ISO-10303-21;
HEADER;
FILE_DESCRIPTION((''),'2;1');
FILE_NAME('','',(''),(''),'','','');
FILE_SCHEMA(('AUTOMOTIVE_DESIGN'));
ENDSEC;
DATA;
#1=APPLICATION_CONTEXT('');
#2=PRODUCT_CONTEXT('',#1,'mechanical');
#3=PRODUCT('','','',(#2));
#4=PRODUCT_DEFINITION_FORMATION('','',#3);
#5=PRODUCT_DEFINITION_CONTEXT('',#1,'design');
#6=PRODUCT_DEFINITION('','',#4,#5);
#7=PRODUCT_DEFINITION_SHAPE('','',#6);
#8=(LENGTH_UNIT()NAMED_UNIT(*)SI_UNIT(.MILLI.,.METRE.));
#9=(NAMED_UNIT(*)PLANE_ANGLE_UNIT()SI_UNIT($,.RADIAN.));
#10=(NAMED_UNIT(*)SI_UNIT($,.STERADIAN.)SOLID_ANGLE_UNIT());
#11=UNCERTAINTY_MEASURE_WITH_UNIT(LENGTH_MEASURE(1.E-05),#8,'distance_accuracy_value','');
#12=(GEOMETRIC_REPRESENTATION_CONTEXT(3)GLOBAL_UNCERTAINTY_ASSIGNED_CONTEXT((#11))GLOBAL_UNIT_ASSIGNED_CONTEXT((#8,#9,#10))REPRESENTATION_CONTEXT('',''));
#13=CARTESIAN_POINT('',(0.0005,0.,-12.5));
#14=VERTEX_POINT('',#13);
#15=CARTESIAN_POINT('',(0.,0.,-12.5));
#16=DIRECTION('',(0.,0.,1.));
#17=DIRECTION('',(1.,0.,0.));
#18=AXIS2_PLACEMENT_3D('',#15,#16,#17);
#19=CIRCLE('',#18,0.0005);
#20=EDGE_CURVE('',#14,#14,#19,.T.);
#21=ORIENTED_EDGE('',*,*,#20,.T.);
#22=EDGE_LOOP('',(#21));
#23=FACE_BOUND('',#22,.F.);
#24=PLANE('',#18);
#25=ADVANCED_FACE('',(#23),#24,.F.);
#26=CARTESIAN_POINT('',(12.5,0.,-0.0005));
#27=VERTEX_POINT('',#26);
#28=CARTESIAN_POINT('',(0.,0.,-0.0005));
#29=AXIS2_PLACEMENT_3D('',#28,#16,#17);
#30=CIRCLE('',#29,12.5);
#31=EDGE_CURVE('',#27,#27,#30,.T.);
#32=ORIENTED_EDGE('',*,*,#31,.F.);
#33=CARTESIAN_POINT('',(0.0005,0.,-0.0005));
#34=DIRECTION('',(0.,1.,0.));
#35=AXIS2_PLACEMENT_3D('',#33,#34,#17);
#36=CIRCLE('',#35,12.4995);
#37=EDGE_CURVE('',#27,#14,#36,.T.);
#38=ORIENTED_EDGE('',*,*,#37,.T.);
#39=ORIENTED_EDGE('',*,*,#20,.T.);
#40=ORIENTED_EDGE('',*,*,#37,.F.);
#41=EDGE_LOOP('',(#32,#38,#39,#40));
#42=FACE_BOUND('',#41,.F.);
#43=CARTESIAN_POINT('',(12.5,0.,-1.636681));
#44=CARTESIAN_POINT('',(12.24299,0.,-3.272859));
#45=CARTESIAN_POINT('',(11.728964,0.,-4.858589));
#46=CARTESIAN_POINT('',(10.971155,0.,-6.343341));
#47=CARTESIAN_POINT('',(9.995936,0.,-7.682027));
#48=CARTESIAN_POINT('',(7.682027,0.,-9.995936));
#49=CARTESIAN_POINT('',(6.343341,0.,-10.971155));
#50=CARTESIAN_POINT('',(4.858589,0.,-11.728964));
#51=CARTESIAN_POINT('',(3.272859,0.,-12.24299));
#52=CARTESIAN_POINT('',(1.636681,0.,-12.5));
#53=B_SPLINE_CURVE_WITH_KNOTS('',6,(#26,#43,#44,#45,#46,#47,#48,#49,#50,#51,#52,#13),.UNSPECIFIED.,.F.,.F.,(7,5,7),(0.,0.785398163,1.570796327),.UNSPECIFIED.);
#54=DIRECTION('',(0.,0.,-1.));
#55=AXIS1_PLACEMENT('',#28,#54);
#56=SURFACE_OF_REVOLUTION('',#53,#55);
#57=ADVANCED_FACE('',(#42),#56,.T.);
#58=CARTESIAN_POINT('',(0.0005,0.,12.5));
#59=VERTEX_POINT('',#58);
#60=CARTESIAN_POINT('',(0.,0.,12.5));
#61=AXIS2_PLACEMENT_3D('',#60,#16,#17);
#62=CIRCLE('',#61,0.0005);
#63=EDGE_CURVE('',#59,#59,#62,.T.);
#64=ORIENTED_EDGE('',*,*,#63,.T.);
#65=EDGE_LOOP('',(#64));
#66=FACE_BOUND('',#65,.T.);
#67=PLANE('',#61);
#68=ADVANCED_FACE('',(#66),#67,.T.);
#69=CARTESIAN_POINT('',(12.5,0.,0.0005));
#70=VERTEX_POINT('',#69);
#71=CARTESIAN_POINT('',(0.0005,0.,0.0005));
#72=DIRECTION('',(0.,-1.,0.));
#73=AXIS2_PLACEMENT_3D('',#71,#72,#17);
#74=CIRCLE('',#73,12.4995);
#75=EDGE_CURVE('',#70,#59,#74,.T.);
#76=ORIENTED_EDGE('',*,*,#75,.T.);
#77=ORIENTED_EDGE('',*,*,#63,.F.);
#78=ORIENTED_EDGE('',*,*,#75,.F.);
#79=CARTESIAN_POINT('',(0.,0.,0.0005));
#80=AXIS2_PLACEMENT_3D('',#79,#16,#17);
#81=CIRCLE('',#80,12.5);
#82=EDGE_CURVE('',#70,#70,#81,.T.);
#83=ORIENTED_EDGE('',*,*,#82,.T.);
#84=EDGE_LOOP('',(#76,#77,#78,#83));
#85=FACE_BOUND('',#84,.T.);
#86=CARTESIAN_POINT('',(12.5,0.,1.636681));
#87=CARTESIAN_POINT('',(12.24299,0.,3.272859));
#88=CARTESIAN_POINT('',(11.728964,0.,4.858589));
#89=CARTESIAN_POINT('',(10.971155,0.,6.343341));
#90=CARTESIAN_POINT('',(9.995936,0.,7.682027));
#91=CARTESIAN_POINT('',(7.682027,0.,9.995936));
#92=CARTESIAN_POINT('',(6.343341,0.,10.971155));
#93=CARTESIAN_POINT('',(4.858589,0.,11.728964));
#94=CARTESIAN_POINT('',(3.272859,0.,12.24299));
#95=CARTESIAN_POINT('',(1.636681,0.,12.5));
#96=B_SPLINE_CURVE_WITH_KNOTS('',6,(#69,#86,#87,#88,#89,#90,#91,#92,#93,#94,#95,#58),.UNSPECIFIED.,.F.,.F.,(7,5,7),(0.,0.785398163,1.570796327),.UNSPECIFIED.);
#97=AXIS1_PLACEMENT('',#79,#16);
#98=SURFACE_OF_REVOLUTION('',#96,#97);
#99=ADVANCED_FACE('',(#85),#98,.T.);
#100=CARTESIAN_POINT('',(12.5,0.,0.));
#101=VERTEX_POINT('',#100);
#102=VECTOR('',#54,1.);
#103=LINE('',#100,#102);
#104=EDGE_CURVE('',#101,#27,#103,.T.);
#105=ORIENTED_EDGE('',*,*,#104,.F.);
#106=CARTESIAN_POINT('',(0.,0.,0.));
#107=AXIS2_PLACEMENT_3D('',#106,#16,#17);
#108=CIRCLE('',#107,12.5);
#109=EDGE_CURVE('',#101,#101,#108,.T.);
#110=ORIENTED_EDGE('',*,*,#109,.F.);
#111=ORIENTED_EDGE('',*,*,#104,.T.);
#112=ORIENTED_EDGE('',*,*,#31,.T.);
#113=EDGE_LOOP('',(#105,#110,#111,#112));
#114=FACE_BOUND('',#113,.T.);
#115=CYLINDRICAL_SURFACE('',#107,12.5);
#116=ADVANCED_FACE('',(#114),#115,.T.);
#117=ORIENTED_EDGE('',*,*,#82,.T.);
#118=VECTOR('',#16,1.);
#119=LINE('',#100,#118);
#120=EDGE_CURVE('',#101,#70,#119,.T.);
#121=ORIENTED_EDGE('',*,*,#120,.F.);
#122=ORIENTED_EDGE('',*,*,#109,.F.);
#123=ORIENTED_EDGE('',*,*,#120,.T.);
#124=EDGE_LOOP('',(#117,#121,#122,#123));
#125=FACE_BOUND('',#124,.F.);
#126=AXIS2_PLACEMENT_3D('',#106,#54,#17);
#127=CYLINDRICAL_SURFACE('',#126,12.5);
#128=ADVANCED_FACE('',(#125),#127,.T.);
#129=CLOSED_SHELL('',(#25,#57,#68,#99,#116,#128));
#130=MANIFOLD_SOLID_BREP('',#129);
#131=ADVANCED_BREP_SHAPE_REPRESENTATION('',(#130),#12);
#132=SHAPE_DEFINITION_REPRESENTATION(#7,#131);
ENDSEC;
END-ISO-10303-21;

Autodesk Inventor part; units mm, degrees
ref_plane "YZ Plane" through (0, 0, 0) normal (1, 0, 0) x (0, 1, 0)
ref_plane "XZ Plane" through (0, 0, 0) normal (0, 1, 0) x (-1, 0, 0)
ref_plane "XY Plane" through (0, 0, 0) normal (0, 0, 1) x (1, 0, 0)
sketch "Sketch1" plane through (0, 0, 0) normal (0, 0, 1) x (1, 0, 0)
  circle A0 centre (0, 0) radius 12.5
  dimension "d0" = 25
extrude "Extrusion1" add sketch "Sketch1" along normal mid plane 25
fillet "Fillet1" radius 12.5 2 edges at (-12.5, 0, 12.5) (-12.5, 0, -12.5)
equation "\"d1\" = d0"
properties part number "Steel Ball 25mm" material "Stainless Steel"
